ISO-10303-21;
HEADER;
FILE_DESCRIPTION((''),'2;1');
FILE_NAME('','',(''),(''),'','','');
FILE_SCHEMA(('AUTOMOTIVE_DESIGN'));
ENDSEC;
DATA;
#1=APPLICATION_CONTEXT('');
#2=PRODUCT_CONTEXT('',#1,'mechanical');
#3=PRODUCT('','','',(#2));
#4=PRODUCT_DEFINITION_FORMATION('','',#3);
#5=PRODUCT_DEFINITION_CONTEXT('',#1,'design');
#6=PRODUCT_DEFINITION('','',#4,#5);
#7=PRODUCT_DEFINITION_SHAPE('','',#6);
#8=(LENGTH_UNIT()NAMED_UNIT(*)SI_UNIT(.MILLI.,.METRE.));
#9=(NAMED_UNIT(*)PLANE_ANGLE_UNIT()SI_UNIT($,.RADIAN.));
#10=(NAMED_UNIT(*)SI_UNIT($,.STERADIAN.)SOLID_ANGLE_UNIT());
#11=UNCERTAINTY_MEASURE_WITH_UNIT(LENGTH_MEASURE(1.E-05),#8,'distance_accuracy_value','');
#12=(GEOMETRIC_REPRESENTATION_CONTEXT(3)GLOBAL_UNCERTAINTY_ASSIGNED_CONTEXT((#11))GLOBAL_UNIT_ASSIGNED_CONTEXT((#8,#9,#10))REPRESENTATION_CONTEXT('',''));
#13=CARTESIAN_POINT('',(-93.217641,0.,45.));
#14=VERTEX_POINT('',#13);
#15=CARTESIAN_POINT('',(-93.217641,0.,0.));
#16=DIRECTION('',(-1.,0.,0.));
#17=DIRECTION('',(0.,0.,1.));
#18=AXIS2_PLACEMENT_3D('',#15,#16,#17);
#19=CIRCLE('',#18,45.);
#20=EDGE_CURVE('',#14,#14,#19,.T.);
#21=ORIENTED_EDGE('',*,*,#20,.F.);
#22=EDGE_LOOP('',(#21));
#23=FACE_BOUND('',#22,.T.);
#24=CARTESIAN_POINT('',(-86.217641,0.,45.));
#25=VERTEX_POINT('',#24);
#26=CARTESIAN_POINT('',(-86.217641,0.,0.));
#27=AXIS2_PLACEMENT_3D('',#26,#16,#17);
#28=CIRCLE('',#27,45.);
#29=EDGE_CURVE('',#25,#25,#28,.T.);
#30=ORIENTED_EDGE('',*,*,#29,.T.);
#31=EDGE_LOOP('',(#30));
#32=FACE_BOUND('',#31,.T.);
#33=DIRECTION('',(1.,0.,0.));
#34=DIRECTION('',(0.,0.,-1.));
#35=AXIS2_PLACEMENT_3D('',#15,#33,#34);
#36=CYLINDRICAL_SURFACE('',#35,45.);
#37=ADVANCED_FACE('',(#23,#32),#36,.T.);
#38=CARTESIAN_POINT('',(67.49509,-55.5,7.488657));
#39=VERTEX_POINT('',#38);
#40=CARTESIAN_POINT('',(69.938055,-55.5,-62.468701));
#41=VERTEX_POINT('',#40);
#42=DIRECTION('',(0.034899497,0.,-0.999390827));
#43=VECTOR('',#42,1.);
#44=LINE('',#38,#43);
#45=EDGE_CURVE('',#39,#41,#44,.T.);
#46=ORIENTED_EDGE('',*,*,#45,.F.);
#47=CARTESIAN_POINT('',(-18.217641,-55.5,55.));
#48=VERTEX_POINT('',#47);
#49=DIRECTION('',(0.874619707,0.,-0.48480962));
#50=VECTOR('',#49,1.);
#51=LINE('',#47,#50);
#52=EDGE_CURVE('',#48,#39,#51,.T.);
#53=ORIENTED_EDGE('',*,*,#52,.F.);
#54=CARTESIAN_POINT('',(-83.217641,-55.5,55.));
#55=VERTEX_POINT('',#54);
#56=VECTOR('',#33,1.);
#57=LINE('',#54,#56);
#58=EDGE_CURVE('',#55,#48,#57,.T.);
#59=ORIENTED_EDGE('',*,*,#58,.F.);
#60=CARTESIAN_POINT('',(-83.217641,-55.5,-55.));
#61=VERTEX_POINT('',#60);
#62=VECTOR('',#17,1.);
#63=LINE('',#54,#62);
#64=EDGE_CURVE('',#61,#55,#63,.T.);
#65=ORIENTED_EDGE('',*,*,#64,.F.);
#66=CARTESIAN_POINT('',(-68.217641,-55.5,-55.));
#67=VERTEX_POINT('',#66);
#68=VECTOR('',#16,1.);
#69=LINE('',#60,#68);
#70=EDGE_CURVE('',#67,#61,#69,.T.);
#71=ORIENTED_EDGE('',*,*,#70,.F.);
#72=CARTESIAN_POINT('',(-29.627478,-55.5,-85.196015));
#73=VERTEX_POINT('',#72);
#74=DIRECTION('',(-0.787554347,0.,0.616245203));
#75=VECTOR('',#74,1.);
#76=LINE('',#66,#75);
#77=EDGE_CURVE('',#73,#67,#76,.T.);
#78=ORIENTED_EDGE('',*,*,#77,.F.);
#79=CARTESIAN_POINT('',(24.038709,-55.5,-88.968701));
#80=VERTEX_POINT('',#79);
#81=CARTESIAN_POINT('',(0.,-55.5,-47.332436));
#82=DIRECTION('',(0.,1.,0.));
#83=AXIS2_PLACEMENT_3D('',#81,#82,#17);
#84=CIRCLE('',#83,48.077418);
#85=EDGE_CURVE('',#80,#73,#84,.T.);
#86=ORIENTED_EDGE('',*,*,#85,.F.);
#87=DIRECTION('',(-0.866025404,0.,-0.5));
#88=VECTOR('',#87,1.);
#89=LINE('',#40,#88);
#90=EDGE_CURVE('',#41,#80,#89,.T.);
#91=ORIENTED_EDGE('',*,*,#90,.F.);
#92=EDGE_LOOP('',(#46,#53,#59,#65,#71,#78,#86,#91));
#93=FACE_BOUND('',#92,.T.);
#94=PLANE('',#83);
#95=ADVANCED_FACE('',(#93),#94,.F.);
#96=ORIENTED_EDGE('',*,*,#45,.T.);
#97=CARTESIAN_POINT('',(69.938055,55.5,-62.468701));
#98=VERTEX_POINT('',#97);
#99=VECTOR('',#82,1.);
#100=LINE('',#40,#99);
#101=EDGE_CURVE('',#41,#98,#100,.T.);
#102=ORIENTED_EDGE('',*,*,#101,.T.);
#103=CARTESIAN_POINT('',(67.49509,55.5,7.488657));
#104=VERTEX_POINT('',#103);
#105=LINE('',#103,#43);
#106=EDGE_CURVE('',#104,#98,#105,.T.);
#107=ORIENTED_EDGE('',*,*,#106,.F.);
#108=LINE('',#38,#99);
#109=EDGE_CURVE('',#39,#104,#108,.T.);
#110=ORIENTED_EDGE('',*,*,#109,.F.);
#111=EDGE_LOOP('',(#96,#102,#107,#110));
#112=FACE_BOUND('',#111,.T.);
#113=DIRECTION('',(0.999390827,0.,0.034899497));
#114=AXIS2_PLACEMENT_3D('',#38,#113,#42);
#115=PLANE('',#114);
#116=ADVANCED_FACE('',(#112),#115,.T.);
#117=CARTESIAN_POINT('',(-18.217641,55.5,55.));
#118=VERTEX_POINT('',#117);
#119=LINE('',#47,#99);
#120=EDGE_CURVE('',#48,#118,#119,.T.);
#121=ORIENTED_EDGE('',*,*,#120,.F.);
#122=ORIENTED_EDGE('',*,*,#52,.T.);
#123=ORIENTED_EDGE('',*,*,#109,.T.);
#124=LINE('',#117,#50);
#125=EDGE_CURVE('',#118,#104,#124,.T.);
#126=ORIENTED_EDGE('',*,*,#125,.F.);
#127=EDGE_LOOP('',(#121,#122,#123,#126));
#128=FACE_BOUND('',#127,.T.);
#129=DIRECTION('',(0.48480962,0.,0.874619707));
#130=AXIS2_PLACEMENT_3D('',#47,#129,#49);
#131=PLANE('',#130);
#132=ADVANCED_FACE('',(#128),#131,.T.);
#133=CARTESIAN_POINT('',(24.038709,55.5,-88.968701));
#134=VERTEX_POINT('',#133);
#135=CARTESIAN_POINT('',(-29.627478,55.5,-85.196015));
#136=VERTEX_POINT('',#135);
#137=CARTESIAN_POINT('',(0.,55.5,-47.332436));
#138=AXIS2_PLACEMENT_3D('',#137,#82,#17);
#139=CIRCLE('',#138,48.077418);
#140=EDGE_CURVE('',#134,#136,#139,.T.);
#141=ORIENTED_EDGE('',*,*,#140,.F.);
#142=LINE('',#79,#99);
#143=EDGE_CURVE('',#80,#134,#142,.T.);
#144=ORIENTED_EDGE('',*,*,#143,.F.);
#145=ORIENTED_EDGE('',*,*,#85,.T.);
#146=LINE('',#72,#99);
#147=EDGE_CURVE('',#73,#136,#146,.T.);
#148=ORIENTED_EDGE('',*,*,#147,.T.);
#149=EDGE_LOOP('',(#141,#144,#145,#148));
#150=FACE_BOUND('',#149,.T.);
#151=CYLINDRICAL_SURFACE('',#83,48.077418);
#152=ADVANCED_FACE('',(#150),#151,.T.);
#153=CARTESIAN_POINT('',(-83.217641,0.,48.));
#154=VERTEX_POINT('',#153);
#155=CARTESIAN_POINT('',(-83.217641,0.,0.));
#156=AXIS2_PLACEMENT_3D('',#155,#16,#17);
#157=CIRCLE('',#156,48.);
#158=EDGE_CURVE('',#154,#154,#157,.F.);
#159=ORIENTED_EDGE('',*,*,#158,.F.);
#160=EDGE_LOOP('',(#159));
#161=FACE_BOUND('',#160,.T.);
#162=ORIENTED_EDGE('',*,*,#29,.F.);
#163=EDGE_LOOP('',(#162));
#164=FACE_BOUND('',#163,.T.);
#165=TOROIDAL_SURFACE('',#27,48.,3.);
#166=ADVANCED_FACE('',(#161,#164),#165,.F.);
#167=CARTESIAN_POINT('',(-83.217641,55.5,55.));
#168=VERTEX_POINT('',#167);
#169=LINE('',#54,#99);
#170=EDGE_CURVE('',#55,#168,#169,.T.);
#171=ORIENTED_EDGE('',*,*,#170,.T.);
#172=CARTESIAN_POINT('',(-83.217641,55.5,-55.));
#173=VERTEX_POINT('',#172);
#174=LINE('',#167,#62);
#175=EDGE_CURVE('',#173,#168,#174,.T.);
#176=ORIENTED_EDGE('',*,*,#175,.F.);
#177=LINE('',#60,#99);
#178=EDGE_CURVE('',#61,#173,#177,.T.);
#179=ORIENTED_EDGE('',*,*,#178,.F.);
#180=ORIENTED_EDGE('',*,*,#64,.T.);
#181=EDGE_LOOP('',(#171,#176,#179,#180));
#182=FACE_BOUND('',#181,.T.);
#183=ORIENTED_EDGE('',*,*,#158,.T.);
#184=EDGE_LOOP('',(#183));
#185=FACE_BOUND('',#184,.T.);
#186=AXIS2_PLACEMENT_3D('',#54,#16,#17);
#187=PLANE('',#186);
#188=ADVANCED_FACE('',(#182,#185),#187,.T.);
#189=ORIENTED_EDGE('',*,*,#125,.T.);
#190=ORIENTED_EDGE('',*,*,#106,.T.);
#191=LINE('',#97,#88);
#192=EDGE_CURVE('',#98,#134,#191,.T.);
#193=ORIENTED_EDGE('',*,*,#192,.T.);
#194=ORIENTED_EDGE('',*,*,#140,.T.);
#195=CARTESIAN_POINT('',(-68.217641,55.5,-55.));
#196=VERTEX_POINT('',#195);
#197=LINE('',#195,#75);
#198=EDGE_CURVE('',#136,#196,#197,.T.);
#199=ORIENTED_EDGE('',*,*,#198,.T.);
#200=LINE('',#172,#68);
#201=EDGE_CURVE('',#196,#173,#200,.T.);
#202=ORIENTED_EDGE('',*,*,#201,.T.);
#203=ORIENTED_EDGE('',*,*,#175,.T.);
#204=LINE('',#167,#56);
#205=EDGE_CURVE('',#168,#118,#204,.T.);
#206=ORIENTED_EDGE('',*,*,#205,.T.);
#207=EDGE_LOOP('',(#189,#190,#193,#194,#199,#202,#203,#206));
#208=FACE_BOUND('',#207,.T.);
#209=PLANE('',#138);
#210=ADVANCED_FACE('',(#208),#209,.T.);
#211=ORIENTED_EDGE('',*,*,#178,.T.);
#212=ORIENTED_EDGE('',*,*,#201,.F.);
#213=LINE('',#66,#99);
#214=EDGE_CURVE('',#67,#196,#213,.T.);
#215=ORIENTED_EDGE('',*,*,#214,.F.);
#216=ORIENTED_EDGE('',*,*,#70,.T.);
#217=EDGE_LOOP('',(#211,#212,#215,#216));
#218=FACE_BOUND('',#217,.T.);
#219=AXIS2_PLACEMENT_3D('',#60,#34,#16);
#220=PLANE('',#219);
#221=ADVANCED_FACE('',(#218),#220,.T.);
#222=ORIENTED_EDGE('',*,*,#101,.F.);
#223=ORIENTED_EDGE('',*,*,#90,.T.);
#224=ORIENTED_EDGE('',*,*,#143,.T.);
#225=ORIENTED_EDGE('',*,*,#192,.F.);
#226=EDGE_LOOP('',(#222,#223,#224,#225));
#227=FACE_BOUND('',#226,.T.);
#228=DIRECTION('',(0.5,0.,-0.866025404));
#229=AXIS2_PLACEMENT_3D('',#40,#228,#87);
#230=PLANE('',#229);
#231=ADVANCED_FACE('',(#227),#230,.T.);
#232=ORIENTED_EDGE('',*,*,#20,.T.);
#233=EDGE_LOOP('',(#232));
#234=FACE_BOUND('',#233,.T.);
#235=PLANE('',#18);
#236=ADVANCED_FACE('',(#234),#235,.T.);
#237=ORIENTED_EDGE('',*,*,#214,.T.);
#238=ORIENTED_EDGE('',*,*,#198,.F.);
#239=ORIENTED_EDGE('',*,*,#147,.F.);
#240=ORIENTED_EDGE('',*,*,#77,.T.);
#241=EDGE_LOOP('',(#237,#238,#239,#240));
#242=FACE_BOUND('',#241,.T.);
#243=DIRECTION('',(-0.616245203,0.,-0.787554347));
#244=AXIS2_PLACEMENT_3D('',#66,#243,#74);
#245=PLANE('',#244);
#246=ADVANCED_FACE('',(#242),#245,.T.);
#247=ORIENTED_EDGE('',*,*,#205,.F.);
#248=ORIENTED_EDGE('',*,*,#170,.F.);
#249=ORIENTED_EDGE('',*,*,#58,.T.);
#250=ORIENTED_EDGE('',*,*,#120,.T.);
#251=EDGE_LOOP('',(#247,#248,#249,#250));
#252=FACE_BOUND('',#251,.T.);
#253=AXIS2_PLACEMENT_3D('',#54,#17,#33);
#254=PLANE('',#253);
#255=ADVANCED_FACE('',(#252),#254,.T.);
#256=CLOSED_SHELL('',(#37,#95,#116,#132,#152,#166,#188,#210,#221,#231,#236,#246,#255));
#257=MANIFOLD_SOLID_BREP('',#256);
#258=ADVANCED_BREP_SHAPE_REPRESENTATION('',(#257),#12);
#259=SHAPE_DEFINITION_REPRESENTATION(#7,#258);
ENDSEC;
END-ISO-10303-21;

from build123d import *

# Parameters (mm, degrees)
BOSS_EXTRUDE1_DEPTH      = 55.5
BOSS_EXTRUDE1_DEPTH_BACK = 55.5
SKETCH2_R                = 45
BOSS_EXTRUDE2_DEPTH      = 10
FILLET1_R                = 3


with BuildPart() as part:
    # Sketch1 → Boss-Extrude1 (new body, two sides)
    with BuildSketch(Plane(origin=(0, 0, 0), x_dir=(1, 0, 0), z_dir=(0, 1, 0))) as boss_extrude1_sk:
        with BuildLine():
            Line((0, 0), (65, 0))
            Line((65, 0), (150.7127313, 47.511342784))
            Line((150.7127313, 47.511342784), (153.155696069, 117.468700675))
            Line((153.155696069, 117.468700675), (107.256349668, 143.968700675))
            ThreePointArc((107.256349668, 143.968700675), (79.846161337, 150.2914933), (53.590163022, 140.196014935))
            Line((53.590163022, 140.196014935), (15, 110))
            Line((15, 110), (0, 110))
            Line((0, 110), (0, 0))
        make_face()
    extrude(amount=BOSS_EXTRUDE1_DEPTH)
    extrude(boss_extrude1_sk.sketch, amount=-BOSS_EXTRUDE1_DEPTH_BACK)

    # Sketch2 → Boss-Extrude2 (add)
    with BuildSketch(Plane.ZY):
        with Locations((-55, 0)):
            Circle(SKETCH2_R)
    extrude(amount=BOSS_EXTRUDE2_DEPTH)

    # Fillet1
    fillet1_edges = [part.edges().sort_by_distance(p)[0] for p in [
        (0, 0, -100),
    ]]
    fillet(fillet1_edges, radius=FILLET1_R)


with BuildPart() as part_1:
    # Body-Move_Copy1: moved
    add(part.part.moved(Location((-83.217640918, 0, 55))))


solid = part_1.part
